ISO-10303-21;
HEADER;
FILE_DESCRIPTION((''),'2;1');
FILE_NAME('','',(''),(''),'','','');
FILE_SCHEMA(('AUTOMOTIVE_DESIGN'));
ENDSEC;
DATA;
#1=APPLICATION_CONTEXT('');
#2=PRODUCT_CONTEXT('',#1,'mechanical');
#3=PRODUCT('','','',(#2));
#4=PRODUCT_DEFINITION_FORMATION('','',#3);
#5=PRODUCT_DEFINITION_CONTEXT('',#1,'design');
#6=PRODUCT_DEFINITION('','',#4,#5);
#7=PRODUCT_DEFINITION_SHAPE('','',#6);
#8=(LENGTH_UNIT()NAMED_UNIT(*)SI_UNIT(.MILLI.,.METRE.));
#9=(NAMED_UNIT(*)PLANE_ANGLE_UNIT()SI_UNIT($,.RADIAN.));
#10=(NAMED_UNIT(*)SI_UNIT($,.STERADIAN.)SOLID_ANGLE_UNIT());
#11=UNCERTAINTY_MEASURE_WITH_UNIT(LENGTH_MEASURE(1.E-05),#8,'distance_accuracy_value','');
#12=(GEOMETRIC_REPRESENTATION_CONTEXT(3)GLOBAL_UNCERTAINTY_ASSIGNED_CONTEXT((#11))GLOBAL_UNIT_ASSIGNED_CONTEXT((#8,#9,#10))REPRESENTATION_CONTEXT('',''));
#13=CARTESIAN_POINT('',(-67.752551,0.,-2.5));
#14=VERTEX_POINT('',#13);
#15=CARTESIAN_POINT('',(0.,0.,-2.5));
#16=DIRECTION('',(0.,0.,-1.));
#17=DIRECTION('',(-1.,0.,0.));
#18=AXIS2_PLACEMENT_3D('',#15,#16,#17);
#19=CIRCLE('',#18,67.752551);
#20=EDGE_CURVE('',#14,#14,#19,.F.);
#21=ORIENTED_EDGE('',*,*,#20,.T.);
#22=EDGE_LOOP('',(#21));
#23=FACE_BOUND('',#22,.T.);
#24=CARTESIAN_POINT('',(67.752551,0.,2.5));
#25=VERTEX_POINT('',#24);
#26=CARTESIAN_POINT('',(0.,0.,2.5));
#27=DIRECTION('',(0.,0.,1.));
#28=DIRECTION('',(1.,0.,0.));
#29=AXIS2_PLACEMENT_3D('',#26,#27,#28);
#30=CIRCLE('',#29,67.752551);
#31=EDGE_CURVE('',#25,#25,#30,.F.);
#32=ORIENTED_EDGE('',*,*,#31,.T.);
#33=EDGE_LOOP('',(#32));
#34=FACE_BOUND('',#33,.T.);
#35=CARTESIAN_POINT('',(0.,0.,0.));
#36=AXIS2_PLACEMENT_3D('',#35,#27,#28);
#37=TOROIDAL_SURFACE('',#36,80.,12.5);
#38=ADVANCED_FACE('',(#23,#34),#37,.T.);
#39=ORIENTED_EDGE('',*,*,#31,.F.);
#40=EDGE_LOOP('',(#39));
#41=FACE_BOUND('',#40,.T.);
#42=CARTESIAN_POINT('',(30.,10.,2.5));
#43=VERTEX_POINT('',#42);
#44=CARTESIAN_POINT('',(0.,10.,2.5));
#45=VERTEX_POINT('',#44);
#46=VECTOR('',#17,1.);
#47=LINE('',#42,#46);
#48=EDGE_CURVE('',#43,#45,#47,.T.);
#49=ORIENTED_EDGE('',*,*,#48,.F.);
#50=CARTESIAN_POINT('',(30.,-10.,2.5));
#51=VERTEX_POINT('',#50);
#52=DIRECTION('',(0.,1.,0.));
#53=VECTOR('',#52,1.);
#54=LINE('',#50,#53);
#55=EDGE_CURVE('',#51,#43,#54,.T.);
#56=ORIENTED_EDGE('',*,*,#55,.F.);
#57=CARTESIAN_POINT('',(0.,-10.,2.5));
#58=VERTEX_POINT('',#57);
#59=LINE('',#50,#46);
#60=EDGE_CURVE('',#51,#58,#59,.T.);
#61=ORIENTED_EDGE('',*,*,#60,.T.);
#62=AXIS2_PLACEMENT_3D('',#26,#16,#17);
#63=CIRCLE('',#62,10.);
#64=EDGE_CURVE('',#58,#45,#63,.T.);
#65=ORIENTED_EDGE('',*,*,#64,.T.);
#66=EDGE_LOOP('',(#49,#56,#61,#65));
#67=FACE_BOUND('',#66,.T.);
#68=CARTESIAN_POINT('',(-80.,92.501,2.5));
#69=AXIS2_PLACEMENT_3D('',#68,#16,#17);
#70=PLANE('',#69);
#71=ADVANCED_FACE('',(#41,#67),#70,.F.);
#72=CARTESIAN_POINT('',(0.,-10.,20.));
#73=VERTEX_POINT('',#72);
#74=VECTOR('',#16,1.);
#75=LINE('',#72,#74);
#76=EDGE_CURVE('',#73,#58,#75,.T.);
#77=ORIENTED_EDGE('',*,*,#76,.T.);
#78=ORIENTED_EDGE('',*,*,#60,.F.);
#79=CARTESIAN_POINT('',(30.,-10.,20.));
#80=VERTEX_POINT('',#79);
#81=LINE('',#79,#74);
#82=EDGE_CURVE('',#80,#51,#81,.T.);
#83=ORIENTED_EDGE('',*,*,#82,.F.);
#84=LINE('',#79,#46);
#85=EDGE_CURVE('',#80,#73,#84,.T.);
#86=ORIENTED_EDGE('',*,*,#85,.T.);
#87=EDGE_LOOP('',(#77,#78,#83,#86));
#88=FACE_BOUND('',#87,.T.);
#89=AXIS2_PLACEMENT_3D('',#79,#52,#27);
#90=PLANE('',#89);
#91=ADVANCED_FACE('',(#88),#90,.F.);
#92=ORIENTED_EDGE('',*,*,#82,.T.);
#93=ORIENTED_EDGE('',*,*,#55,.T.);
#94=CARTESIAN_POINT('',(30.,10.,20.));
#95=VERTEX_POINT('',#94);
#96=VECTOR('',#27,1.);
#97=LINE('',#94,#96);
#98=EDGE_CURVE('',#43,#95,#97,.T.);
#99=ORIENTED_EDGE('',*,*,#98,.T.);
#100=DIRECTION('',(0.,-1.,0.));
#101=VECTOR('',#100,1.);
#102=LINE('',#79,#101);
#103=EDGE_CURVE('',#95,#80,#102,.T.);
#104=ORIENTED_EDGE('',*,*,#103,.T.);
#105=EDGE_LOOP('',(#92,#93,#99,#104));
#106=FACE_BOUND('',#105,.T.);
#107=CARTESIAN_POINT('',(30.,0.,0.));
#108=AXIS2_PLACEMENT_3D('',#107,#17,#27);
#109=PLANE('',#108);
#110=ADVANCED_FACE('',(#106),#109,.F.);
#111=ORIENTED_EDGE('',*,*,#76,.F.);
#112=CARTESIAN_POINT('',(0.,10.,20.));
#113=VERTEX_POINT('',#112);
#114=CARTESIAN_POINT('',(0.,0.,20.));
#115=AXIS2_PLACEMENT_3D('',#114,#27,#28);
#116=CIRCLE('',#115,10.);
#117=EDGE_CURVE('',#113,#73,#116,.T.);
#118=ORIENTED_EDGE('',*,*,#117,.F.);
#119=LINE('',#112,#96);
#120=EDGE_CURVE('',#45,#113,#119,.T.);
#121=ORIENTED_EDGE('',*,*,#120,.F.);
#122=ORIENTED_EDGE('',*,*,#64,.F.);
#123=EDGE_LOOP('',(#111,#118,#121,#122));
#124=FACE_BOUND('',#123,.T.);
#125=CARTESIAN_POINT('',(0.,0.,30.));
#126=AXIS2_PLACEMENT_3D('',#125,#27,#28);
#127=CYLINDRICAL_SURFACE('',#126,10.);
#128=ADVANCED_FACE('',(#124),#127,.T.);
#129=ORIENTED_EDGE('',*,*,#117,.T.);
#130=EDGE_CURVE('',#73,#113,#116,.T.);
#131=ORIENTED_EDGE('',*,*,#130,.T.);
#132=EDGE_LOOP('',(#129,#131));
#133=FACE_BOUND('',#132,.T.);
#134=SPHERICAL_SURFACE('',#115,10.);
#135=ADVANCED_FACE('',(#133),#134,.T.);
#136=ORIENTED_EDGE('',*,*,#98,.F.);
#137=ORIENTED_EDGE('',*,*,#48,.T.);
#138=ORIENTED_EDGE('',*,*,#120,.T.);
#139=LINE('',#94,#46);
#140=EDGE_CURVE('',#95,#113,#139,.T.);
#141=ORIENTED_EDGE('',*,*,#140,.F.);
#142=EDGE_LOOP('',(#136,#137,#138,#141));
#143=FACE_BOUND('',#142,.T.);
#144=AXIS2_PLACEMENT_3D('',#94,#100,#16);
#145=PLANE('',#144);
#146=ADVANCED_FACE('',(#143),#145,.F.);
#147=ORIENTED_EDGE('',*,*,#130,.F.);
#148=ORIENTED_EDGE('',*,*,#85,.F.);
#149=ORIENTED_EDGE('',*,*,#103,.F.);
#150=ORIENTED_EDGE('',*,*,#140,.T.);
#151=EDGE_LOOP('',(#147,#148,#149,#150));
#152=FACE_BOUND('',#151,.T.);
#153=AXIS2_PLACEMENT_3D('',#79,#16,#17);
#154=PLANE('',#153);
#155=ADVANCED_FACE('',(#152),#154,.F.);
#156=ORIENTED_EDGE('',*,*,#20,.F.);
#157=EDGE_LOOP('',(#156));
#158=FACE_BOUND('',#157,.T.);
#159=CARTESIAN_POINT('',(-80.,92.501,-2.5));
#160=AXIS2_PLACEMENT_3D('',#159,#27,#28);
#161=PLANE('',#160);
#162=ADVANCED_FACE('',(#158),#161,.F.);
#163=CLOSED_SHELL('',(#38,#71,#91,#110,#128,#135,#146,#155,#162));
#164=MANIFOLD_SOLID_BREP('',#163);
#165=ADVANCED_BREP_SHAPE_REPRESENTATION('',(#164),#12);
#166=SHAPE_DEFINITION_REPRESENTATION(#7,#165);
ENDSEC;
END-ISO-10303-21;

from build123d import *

# Parameters (mm, degrees)
SKETCH1_R                       = 12.5
BOSS_EXTRUDE1_REACH             = 133.411
SKETCH2_W                       = 160
SKETCH2_H                       = 5
BOSS_EXTRUDE1_DIRECTION_2_REACH = 133.411
SKETCH6_W                       = 17.5
SKETCH6_H                       = 20
BOSS_EXTRUDE2_DEPTH             = 30


with BuildPart() as part:
    # Sketch1 → Revolve1 (revolve)
    with BuildSketch(Plane(origin=(0, 0, 0), x_dir=(1, 0, 0), z_dir=(0, 1, 0))):
        with Locations((80, 0)):
            Circle(SKETCH1_R)
    revolve(axis=Axis((0, 0, 0), (0, 0, -1)))

    # Sketch2 → Boss-Extrude1 (add, up to next)
    with BuildSketch(Plane(origin=(0, 0, 0), x_dir=(1, 0, 0), z_dir=(0, 1, 0)), mode=Mode.PRIVATE) as boss_extrude1_sk1:
        Rectangle(SKETCH2_W, SKETCH2_H)
    boss_extrude1_tool1 = extrude(boss_extrude1_sk1.sketch, amount=BOSS_EXTRUDE1_REACH, mode=Mode.PRIVATE) - part.part
    add(boss_extrude1_tool1.solids().sort_by_distance((0, 0, 0))[0])

    # Sketch2 → Boss-Extrude1 direction 2 (add, up to next)
    with BuildSketch(Plane(origin=(0, 0, 0), x_dir=(1, 0, 0), z_dir=(0, 1, 0)), mode=Mode.PRIVATE) as boss_extrude1_direction_2_sk1:
        Rectangle(SKETCH2_W, SKETCH2_H)
    boss_extrude1_direction_2_tool1 = extrude(boss_extrude1_direction_2_sk1.sketch, amount=-BOSS_EXTRUDE1_DIRECTION_2_REACH, mode=Mode.PRIVATE) - part.part
    add(boss_extrude1_direction_2_tool1.solids().sort_by_distance((0, 0, 0))[0])

    # Sketch4 → Revolve2 (revolve)
    with BuildSketch(Plane(origin=(0, 0, 0), x_dir=(1, 0, 0), z_dir=(0, 1, 0))):
        with BuildLine():
            Line((0, -30), (0, 0))
            Line((0, 0), (10, 0))
            Line((10, 0), (10, -20))
            ThreePointArc((10, -20), (7.071067812, -27.071067812), (0, -30))
        make_face()
    revolve(axis=Axis((0, 0, 30), (0, 0, -1)))

    # Sketch6 → Boss-Extrude2 (add)
    with BuildSketch(Plane(origin=(0, 0, 0), x_dir=(0, 0, -1), z_dir=(1, 0, 0))):
        with Locations((-11.25, 0)):
            Rectangle(SKETCH6_W, SKETCH6_H)
    extrude(amount=BOSS_EXTRUDE2_DEPTH)


solid = part.part
